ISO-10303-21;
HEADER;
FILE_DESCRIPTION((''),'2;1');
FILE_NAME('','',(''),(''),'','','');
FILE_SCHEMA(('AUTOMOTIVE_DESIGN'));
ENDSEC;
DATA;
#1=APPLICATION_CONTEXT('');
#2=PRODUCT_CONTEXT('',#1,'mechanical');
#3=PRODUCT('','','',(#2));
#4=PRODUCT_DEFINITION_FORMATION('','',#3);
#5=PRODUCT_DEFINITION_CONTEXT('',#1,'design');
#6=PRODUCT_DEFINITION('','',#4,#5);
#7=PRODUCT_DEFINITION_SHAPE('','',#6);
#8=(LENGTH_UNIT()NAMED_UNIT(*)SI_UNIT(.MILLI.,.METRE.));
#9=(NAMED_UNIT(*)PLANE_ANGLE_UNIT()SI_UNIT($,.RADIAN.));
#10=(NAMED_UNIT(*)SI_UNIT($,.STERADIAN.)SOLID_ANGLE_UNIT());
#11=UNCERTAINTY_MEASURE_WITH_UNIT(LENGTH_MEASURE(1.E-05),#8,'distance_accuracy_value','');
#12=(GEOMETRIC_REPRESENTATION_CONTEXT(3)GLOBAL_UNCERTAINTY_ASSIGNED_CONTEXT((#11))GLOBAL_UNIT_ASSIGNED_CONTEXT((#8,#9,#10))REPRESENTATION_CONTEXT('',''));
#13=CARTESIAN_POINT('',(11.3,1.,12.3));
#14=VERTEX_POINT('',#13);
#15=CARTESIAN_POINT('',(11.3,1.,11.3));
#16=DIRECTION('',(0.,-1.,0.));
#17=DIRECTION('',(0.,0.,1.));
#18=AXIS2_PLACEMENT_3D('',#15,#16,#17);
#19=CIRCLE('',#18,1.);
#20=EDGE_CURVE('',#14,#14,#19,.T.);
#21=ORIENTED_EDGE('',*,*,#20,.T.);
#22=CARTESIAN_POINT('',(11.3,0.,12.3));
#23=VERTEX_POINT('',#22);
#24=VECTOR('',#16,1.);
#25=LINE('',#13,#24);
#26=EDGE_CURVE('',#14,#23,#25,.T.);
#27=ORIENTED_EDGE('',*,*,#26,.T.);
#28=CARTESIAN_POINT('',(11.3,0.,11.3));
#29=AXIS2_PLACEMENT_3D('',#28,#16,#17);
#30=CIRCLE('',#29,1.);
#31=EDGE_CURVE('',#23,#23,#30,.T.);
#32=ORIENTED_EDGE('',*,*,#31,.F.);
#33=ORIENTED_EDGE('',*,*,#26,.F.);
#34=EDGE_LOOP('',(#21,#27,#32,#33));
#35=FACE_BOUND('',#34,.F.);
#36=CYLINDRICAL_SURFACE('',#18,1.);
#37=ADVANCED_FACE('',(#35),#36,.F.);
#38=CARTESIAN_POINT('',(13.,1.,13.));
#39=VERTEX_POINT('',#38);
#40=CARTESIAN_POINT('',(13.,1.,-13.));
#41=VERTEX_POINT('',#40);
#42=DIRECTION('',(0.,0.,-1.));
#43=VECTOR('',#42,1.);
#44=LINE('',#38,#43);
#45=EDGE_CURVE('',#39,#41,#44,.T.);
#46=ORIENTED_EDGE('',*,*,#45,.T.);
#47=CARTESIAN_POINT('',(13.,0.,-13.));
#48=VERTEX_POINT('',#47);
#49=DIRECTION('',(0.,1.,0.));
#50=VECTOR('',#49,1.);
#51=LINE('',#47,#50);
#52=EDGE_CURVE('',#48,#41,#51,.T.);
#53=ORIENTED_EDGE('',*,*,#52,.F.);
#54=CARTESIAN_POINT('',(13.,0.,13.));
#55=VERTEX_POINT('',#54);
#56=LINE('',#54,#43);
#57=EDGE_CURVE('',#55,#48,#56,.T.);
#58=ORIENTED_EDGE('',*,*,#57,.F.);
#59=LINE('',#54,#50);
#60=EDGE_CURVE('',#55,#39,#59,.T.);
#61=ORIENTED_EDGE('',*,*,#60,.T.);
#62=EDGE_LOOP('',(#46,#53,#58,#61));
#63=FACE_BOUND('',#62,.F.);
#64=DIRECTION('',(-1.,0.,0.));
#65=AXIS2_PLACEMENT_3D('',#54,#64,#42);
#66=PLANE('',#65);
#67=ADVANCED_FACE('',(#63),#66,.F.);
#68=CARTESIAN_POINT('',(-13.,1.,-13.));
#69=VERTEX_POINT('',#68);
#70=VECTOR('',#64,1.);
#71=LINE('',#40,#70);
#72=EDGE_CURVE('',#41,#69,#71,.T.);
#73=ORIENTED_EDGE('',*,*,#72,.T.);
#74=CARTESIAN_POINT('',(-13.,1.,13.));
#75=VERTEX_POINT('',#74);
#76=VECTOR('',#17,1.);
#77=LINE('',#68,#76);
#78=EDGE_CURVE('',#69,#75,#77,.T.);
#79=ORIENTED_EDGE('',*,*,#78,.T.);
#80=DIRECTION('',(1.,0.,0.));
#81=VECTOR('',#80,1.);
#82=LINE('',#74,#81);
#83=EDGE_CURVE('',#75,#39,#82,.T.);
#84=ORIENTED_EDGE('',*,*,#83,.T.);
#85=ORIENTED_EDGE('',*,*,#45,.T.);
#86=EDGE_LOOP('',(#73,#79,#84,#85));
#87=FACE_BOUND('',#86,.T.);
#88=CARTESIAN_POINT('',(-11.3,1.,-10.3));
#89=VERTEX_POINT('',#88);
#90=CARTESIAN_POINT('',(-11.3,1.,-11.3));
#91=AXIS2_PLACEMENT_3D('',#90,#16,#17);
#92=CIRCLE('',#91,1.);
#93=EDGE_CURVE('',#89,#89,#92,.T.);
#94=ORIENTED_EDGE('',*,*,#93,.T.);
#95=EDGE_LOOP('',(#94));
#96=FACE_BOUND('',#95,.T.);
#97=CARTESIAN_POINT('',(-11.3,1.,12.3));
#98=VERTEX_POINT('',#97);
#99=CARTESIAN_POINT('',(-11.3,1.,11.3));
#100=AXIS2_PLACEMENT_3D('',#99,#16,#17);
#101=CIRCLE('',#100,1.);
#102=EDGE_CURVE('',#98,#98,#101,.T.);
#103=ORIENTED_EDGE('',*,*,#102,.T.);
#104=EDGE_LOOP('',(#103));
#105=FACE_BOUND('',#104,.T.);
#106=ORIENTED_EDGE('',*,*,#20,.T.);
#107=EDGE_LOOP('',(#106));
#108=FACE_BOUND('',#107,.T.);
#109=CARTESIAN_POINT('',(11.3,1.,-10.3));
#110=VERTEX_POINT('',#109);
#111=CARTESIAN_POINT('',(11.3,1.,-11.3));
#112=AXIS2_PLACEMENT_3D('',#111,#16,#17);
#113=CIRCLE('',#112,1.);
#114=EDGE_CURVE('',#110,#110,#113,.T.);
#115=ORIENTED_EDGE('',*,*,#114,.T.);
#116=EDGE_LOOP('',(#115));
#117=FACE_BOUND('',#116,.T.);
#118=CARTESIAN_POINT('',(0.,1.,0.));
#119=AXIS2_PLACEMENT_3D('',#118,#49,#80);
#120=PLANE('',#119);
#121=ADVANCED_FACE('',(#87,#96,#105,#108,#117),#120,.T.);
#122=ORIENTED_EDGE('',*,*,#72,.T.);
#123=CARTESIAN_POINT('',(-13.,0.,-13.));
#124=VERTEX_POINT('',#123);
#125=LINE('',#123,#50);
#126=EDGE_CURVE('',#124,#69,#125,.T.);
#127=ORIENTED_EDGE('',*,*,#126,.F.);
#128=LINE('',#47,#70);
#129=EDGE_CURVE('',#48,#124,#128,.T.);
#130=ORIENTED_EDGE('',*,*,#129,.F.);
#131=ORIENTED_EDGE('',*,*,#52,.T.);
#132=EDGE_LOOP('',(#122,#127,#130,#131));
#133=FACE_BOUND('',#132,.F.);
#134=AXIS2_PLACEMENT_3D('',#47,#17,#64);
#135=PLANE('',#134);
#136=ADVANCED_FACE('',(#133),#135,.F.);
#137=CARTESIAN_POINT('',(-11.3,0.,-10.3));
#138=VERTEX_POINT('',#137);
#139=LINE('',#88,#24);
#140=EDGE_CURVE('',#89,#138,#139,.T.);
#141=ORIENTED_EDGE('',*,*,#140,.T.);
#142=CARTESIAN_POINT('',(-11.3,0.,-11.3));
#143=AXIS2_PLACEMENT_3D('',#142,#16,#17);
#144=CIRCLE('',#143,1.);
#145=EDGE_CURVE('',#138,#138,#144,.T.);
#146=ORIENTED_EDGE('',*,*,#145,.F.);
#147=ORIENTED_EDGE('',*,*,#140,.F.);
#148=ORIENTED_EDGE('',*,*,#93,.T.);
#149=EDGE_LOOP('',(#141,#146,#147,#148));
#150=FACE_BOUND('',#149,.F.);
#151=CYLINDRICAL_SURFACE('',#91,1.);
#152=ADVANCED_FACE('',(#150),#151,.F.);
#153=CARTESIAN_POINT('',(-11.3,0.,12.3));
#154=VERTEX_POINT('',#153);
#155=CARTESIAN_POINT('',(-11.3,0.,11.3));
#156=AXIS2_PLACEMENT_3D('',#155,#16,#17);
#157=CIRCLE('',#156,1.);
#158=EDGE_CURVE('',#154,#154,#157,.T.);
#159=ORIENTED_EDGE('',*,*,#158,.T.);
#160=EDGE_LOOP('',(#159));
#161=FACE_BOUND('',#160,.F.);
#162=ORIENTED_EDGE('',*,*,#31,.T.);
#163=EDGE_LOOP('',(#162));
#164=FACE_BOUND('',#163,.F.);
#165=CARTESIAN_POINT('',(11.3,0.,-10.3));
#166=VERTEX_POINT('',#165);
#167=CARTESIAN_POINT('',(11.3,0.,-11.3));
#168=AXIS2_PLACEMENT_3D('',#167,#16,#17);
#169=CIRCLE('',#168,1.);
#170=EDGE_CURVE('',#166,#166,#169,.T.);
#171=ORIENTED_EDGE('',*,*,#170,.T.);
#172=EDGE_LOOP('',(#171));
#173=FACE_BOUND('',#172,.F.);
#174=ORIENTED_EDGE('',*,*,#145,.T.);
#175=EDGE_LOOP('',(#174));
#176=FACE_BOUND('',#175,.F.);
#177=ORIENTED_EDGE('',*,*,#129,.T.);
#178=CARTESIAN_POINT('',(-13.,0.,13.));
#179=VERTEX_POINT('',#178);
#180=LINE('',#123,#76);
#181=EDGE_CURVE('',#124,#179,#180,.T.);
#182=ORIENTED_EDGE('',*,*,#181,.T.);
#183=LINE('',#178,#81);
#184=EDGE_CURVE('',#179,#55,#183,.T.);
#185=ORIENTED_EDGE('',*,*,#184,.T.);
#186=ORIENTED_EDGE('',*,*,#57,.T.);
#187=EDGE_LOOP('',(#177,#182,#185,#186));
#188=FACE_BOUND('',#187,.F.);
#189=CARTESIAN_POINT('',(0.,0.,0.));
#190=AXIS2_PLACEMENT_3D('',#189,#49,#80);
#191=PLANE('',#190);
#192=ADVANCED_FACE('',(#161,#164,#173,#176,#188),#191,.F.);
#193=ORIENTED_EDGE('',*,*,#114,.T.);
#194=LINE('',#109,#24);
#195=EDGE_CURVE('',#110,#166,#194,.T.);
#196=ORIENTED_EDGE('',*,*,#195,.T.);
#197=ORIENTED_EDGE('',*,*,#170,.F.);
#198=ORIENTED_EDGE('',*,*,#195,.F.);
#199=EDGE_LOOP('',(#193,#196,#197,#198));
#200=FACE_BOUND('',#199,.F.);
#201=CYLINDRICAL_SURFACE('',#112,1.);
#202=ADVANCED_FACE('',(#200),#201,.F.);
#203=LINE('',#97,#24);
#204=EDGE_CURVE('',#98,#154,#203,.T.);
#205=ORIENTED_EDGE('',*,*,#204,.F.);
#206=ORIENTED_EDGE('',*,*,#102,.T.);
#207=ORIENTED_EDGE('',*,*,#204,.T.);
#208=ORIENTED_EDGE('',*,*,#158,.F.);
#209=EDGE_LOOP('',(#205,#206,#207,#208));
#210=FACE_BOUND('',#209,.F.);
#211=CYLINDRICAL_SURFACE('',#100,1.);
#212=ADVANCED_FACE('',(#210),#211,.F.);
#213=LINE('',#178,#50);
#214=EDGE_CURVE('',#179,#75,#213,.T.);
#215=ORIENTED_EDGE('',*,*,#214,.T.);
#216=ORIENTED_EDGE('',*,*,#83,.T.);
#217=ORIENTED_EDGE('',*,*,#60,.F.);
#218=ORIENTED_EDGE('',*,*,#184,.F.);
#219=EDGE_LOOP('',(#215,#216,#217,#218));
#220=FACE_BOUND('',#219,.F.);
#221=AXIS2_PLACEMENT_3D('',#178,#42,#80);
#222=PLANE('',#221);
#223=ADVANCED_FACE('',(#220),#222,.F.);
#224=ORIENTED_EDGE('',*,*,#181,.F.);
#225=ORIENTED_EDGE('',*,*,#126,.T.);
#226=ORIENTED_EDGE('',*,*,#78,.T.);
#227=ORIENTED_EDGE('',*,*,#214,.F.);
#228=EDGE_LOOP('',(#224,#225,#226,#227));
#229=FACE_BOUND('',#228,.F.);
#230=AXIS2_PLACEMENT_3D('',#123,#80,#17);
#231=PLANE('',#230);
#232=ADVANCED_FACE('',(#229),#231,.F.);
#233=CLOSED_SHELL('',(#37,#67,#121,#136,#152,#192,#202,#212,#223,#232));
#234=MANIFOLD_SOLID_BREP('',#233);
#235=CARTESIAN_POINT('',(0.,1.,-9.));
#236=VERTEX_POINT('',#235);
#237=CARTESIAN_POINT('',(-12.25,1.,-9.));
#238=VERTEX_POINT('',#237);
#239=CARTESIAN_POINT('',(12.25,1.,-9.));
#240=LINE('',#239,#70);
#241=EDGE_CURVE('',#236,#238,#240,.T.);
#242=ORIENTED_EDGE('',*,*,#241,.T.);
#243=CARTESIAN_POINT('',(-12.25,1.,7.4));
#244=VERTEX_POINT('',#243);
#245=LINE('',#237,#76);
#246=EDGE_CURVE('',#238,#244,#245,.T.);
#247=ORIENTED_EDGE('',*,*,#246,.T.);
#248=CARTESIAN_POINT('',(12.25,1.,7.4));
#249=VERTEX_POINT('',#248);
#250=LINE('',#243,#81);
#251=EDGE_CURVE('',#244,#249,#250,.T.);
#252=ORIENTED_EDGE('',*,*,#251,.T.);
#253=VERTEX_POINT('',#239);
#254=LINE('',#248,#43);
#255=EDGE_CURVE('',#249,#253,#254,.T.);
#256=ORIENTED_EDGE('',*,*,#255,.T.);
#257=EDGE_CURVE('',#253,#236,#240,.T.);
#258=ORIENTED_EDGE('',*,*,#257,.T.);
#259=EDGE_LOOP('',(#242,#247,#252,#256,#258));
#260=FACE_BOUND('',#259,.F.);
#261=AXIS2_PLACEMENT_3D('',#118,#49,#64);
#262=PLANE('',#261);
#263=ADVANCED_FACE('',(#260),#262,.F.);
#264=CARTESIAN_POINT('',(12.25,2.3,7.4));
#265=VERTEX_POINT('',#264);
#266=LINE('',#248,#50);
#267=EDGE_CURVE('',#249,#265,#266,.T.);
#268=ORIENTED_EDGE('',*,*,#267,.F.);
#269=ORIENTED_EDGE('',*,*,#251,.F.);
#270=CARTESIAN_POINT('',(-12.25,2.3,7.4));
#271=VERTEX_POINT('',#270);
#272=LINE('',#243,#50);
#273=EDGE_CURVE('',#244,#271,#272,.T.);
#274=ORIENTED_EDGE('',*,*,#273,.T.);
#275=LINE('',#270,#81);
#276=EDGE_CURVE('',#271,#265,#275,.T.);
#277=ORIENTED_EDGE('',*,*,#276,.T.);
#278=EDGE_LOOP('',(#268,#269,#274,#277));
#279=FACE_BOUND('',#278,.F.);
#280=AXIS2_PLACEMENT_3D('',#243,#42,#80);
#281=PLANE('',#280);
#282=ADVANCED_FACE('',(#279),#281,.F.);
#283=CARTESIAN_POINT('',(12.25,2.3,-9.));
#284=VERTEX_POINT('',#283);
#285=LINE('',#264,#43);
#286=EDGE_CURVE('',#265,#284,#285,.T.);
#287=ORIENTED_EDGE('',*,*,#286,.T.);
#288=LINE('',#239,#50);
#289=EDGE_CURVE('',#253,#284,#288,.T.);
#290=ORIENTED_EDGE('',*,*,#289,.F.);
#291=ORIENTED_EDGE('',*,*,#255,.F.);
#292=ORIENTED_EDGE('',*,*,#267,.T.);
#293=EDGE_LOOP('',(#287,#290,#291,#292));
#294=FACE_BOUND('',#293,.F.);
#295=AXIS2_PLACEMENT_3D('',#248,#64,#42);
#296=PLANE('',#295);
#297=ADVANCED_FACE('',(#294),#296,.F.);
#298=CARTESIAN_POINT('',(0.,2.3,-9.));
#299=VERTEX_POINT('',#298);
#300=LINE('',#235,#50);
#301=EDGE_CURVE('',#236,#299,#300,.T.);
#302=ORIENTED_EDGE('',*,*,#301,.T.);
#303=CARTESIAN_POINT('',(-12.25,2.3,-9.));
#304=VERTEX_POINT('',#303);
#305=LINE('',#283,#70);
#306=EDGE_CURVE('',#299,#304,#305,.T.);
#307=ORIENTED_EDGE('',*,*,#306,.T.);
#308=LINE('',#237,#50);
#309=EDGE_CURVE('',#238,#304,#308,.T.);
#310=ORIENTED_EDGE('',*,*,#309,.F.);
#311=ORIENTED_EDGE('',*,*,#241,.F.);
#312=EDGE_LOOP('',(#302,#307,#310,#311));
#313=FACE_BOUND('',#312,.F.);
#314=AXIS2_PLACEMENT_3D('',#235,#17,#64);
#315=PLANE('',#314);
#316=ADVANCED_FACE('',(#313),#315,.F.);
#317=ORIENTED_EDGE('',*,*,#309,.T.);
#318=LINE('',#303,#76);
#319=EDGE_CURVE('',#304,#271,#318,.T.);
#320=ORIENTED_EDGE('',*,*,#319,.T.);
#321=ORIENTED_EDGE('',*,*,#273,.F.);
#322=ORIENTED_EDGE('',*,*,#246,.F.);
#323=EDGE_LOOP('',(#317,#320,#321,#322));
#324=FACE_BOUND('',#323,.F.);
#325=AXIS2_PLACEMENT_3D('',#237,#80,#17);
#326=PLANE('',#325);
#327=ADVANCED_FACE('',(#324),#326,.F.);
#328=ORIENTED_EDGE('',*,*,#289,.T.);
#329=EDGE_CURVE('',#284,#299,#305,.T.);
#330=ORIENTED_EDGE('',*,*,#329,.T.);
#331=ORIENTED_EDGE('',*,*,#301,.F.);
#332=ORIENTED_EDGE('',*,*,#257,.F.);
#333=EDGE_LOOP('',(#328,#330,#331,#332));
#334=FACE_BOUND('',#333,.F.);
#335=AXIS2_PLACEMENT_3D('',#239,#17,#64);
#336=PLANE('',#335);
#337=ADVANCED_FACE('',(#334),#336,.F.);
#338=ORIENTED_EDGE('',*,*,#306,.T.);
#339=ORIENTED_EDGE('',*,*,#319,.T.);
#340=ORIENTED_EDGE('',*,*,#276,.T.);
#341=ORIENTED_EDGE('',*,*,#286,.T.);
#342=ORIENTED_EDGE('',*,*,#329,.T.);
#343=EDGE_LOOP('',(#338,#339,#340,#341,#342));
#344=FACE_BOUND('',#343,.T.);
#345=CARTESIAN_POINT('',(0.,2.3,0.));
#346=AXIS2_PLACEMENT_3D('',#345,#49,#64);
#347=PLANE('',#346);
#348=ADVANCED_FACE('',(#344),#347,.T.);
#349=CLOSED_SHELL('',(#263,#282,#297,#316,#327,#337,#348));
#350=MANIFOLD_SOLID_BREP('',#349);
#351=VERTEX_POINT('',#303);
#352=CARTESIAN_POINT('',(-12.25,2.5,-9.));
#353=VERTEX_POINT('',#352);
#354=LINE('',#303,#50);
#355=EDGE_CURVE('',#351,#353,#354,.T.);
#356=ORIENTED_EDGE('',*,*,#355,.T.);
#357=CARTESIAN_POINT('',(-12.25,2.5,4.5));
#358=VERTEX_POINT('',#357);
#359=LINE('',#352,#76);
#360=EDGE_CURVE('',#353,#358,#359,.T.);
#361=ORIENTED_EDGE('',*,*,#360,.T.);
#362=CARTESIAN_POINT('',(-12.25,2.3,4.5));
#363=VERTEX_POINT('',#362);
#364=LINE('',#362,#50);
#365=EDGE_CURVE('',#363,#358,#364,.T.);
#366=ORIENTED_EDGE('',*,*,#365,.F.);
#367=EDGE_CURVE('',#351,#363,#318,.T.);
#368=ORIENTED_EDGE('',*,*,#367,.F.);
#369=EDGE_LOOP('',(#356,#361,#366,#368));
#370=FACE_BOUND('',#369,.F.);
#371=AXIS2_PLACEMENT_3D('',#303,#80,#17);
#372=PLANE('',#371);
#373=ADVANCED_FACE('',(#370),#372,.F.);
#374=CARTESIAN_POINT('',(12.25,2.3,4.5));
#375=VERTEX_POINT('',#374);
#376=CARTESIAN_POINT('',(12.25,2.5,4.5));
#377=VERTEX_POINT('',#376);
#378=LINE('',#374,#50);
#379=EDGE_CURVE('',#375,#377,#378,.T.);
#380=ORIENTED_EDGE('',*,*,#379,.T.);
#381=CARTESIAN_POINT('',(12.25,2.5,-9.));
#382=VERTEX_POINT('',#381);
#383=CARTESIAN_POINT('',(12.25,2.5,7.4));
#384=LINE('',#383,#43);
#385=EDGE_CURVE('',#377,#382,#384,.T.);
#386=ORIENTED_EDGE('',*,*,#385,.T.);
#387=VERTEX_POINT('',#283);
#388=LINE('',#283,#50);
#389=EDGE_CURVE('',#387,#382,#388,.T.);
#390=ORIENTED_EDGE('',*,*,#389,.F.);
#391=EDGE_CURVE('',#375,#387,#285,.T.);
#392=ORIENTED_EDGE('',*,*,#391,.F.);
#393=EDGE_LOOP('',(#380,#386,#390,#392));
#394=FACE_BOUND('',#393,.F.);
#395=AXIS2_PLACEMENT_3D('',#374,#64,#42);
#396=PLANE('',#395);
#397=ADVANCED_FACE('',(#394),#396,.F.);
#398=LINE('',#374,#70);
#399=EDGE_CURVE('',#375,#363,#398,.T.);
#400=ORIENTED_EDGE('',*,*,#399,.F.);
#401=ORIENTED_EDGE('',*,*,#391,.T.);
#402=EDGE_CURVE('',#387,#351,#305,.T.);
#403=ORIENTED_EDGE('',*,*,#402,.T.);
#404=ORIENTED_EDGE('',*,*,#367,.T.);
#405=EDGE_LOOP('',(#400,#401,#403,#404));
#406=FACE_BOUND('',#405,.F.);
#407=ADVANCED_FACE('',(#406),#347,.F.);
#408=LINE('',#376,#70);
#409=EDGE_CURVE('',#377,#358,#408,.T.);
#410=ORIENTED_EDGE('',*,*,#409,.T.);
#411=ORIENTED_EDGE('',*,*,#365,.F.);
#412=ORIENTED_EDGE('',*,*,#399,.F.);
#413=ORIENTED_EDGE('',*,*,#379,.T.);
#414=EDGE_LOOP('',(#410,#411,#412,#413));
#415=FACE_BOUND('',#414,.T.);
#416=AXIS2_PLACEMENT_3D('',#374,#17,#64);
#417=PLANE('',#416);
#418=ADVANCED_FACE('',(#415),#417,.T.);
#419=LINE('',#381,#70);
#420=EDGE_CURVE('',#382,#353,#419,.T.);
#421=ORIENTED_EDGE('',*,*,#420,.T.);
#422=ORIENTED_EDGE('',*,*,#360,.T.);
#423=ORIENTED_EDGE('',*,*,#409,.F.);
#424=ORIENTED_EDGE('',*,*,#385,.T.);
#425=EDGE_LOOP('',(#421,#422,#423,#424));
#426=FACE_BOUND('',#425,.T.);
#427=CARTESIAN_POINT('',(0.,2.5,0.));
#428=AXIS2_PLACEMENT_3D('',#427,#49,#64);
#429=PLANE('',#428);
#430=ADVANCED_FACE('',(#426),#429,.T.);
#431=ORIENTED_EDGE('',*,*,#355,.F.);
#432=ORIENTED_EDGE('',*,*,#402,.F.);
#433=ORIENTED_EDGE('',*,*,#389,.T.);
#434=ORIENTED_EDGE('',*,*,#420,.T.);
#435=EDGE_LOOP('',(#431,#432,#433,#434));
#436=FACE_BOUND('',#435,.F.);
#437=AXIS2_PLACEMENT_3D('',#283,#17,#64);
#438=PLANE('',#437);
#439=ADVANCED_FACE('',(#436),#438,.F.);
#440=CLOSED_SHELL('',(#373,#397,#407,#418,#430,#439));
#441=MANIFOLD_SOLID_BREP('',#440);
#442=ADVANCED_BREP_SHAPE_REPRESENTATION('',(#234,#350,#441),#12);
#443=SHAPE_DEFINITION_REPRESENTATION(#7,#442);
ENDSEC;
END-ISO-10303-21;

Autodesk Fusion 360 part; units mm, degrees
sketch "Sketch1" plane through (0, 0, 0) normal (0, 1, 0) x (1, 0, 0)
  line L0 (13, 13) -> (-13, 13)
  line L1 (-13, 13) -> (-13, -13)
  line L2 (-13, -13) -> (13, -13)
  line L3 (13, -13) -> (13, 13)
  line L4 (13, 13) -> (-13, -13) construction
  line L5 (-13, 13) -> (13, -13) construction
  dimension "d1" = 26
  dimension "d2" = 26
extrude "Extrude1" add sketch "Sketch1" along normal blind 1 makes body 1
hole "Hole1" at (-11.3, 1, -11.3) direction (0, -1, 0) diameter 2 depth 3.5 tip angle 118 bodies 1
hole "Hole2" at (11.3, 1, -11.3) direction (0, -1, 0) diameter 2 depth 3.5 tip angle 118 bodies 1
hole "Hole3" at (-11.3, 1, 11.3) direction (0, -1, 0) diameter 2 depth 3.5 tip angle 118 bodies 1
hole "Hole4" at (11.3, 1, 11.3) direction (0, -1, 0) diameter 2 depth 3.5 tip angle 118 bodies 1
sketch "Sketch2" plane through (0, 1, 0) normal (0, 1, 0) x (-1, 0, 0)
  circle A0 centre (-11.3, 11.3) radius 1
  circle A1 centre (11.3, 11.3) radius 1
  circle A2 centre (-11.3, -11.3) radius 1
  circle A3 centre (11.3, -11.3) radius 1
  line L0 (-13, 13) -> (-13, -13)
  line L1 (-13, -13) -> (13, -13)
  line L2 (13, -13) -> (13, 13)
  line L3 (13, 13) -> (-13, 13)
  line L4 (0, -13) -> (0, -9)
  line L5 (0, -9) -> (0, -0.8)
  line L6 (-12.25, -9) -> (12.25, -9)
  line L7 (12.25, -9) -> (12.25, 7.4)
  line L8 (12.25, 7.4) -> (-12.25, 7.4)
  line L9 (-12.25, 7.4) -> (-12.25, -9)
  line L10 (-12.25, -9) -> (12.25, 7.4) construction
  line L11 (12.25, -9) -> (-12.25, 7.4) construction
  point P0 (0, -0.8)
  dimension "d25" = 4
  dimension "d26" = 8.2
  dimension "d27" = 24.5
  dimension "d28" = 16.4
extrude "Extrude2" add sketch "Sketch2" along normal blind 1.3 separate body contours L6 L7 L8 L9 makes body 2
sketch "Sketch3" plane through (0, 2.3, 0) normal (0, 1, 0) x (-1, 0, 0)
  line L0 (-12.25, 7.4) -> (-12.25, -9)
  line L1 (-12.25, -9) -> (12.25, -9)
  line L2 (12.25, -9) -> (12.25, 7.4)
  line L3 (12.25, 7.4) -> (-12.25, 7.4)
  line L4 (12.25, -9) -> (-12.25, -9)
  line L5 (-12.25, -9) -> (-12.25, 4.5)
  line L6 (-12.25, 4.5) -> (12.25, 4.5)
  line L7 (12.25, 4.5) -> (12.25, -9)
  dimension "d31" = 13.5
extrude "Extrude3" add sketch "Sketch3" along normal blind 0.2 separate body contours L0 L1 L2 L4 L5 L6 L7 makes body 3
